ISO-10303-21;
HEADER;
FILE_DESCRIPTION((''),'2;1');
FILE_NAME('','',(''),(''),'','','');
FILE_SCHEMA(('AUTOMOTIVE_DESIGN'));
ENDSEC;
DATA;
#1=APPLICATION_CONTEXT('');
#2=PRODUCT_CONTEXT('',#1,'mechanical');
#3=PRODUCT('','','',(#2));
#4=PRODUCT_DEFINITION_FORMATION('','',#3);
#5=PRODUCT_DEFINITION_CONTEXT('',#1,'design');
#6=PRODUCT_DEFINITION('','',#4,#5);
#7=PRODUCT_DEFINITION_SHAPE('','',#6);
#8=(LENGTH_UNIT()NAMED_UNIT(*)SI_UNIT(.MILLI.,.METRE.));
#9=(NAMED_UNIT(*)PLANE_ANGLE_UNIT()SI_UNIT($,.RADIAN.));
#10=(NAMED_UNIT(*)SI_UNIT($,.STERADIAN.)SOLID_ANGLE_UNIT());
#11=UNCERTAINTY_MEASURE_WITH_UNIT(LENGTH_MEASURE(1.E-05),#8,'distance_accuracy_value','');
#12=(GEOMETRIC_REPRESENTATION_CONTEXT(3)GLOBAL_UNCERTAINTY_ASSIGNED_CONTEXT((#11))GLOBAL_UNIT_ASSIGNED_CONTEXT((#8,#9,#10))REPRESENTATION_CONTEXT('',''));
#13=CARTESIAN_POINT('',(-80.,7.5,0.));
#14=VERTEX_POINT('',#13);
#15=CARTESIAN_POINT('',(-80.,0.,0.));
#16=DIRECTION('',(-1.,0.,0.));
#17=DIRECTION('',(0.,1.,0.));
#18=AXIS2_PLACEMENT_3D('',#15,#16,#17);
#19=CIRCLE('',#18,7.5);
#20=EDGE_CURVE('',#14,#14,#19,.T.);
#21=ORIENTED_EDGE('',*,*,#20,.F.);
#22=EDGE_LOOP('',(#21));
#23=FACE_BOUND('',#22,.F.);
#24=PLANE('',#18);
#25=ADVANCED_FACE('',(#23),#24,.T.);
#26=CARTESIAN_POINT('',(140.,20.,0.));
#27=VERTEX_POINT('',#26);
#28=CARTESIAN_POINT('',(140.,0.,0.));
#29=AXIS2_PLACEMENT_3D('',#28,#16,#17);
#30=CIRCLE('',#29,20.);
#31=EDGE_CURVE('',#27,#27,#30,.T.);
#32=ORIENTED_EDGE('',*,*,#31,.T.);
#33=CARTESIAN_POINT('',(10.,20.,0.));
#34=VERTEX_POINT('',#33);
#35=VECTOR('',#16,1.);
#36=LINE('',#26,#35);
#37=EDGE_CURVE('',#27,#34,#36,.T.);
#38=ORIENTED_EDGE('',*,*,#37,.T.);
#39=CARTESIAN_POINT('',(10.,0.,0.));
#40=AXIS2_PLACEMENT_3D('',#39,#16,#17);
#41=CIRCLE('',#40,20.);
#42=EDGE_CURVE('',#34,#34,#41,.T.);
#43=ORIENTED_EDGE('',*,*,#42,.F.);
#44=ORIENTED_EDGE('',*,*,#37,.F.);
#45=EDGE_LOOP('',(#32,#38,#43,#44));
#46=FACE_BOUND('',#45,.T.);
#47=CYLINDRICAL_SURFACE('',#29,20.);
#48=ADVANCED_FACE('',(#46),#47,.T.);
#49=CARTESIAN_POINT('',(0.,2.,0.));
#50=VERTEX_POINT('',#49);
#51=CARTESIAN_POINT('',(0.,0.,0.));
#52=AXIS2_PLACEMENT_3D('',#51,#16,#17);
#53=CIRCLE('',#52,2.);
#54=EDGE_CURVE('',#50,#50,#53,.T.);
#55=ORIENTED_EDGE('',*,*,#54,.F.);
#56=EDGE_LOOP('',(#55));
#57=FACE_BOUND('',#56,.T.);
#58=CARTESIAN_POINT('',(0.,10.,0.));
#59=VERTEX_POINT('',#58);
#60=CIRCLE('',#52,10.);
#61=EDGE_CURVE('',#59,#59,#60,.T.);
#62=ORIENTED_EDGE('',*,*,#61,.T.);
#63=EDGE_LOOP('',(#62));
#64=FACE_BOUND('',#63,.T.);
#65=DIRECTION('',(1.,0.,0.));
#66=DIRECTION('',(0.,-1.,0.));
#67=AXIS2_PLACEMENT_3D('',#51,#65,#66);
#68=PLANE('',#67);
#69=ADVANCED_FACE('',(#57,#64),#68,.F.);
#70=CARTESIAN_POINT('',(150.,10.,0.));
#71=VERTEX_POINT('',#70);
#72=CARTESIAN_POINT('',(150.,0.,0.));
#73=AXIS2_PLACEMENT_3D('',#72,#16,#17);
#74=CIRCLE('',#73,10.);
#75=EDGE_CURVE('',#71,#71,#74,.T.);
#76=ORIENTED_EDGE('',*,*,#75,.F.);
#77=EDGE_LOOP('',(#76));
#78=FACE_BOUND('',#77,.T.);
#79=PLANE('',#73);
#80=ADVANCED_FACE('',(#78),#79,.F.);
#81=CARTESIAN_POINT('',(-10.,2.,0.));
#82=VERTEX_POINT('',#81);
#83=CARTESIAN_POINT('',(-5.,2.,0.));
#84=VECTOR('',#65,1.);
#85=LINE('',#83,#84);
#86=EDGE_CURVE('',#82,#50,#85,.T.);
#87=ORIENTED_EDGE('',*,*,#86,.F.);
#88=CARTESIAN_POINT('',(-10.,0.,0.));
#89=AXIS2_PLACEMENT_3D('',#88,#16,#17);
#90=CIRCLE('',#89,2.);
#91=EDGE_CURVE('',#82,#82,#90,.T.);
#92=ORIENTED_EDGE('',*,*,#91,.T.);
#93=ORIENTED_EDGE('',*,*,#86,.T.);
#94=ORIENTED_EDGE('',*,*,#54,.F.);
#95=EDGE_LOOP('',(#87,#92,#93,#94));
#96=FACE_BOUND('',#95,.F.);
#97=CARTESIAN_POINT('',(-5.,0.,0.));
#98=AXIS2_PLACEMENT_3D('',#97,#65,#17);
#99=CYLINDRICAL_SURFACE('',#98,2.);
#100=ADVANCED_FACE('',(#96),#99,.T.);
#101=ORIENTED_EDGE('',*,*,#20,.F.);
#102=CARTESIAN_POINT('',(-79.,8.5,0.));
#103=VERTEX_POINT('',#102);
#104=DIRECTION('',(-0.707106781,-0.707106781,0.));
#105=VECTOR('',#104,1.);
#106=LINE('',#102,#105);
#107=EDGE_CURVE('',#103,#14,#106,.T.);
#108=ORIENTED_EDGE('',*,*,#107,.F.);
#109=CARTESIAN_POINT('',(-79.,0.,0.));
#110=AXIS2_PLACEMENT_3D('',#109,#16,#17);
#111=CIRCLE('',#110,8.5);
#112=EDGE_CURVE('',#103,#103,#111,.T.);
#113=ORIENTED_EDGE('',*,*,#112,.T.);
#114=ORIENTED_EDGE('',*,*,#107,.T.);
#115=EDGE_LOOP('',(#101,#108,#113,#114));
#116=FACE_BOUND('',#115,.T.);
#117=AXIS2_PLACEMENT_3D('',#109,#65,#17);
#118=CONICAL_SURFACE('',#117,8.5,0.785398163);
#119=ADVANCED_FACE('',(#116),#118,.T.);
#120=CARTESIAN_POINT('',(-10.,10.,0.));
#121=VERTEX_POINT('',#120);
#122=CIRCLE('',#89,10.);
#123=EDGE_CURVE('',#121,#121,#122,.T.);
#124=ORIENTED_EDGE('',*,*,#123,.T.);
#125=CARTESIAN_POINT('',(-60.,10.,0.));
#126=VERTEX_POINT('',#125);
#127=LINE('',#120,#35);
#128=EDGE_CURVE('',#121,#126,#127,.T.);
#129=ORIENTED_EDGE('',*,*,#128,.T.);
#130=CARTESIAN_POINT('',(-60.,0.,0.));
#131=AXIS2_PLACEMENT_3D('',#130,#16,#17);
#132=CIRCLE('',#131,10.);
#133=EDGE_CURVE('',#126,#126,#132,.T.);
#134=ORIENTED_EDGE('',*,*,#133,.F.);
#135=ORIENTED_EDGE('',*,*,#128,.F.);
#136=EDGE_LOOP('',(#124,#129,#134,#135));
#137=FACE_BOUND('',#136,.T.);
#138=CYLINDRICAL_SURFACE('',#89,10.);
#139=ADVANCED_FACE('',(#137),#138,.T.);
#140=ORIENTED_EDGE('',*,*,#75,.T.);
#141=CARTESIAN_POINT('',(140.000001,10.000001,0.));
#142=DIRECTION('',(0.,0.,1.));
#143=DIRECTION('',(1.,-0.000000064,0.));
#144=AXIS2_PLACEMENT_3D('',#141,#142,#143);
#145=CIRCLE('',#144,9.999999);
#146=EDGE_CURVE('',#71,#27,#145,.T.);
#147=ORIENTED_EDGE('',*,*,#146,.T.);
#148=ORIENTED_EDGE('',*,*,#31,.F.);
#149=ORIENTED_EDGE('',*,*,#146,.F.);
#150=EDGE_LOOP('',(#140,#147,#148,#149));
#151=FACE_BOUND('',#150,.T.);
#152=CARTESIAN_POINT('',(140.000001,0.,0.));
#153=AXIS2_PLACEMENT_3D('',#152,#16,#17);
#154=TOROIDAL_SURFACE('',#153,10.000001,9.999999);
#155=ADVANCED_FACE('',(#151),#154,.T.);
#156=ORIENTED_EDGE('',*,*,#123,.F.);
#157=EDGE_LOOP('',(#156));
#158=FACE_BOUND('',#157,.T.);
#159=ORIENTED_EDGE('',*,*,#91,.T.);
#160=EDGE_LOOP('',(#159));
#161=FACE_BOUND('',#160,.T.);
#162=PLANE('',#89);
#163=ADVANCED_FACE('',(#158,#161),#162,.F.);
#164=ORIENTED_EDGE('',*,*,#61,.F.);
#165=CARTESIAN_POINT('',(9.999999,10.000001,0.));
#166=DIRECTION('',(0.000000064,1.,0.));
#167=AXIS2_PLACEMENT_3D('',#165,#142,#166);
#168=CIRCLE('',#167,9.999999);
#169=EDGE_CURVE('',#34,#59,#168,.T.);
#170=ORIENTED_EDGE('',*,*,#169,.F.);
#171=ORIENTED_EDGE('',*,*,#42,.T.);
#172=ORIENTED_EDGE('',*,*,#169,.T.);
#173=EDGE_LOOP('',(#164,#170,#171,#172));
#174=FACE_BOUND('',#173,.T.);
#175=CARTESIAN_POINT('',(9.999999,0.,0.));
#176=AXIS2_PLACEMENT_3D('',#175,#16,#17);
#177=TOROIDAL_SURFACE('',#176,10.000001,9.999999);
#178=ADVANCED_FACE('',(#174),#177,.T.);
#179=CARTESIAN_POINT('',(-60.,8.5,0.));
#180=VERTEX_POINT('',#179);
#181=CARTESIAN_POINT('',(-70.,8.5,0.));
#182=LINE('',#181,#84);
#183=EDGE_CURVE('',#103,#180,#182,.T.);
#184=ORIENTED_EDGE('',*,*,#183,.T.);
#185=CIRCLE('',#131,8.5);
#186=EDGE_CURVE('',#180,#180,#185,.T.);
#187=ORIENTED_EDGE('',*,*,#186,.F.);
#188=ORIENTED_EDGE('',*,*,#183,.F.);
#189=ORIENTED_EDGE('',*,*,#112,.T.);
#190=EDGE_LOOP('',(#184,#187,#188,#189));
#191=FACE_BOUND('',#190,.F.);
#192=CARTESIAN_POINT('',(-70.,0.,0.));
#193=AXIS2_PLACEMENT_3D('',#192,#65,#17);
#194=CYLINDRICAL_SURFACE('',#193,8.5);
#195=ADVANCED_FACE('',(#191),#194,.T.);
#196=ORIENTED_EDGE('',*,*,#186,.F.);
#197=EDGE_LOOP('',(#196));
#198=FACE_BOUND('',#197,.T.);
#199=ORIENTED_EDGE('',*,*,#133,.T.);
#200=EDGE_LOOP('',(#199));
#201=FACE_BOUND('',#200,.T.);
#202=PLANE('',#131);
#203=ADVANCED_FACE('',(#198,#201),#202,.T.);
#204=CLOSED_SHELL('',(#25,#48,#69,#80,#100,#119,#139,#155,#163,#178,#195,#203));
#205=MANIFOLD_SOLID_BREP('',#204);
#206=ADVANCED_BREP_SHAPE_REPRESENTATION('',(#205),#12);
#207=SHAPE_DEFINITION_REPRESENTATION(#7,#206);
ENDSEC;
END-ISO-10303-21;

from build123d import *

# Parameters (mm, degrees)
F0_W    = 10
F0_H    = 2
F0_W_2  = 20
F0_H_2  = 8.5
F2_SIZE = 1


with BuildPart() as f1:
    # F0 (on Top) → F1 (revolve)
    with BuildSketch(Plane.XY):
        with BuildLine():
            Line((0, 2), (0, 0))
            Line((0, 0), (150, 0))
            Line((150, 0), (150, 10))
            ThreePointArc((150, 10), (147.071068, 17.071068), (140, 20))
            Line((140, 20), (10, 20))
            ThreePointArc((10, 20), (2.928932, 17.071068), (0, 10))
            Line((0, 10), (0, 2))
        make_face()
        with Locations((-5, 1)):
            Rectangle(F0_W, F0_H)
        Polygon((-60, 0), (-10, 0), (-10, 2), (-10, 10), (-60, 10), (-60, 8.5), align=None)
        with Locations((-70, 4.25)):
            Rectangle(F0_W_2, F0_H_2)
    revolve(axis=Axis((-35, 0, 0), (-1, 0, 0)))

    # F2
    f2_edges = [f1.edges().sort_by_distance(p)[0] for p in [
        (-80, -8.5, 0),
    ]]
    chamfer(f2_edges, length=F2_SIZE)


solid = f1.part
